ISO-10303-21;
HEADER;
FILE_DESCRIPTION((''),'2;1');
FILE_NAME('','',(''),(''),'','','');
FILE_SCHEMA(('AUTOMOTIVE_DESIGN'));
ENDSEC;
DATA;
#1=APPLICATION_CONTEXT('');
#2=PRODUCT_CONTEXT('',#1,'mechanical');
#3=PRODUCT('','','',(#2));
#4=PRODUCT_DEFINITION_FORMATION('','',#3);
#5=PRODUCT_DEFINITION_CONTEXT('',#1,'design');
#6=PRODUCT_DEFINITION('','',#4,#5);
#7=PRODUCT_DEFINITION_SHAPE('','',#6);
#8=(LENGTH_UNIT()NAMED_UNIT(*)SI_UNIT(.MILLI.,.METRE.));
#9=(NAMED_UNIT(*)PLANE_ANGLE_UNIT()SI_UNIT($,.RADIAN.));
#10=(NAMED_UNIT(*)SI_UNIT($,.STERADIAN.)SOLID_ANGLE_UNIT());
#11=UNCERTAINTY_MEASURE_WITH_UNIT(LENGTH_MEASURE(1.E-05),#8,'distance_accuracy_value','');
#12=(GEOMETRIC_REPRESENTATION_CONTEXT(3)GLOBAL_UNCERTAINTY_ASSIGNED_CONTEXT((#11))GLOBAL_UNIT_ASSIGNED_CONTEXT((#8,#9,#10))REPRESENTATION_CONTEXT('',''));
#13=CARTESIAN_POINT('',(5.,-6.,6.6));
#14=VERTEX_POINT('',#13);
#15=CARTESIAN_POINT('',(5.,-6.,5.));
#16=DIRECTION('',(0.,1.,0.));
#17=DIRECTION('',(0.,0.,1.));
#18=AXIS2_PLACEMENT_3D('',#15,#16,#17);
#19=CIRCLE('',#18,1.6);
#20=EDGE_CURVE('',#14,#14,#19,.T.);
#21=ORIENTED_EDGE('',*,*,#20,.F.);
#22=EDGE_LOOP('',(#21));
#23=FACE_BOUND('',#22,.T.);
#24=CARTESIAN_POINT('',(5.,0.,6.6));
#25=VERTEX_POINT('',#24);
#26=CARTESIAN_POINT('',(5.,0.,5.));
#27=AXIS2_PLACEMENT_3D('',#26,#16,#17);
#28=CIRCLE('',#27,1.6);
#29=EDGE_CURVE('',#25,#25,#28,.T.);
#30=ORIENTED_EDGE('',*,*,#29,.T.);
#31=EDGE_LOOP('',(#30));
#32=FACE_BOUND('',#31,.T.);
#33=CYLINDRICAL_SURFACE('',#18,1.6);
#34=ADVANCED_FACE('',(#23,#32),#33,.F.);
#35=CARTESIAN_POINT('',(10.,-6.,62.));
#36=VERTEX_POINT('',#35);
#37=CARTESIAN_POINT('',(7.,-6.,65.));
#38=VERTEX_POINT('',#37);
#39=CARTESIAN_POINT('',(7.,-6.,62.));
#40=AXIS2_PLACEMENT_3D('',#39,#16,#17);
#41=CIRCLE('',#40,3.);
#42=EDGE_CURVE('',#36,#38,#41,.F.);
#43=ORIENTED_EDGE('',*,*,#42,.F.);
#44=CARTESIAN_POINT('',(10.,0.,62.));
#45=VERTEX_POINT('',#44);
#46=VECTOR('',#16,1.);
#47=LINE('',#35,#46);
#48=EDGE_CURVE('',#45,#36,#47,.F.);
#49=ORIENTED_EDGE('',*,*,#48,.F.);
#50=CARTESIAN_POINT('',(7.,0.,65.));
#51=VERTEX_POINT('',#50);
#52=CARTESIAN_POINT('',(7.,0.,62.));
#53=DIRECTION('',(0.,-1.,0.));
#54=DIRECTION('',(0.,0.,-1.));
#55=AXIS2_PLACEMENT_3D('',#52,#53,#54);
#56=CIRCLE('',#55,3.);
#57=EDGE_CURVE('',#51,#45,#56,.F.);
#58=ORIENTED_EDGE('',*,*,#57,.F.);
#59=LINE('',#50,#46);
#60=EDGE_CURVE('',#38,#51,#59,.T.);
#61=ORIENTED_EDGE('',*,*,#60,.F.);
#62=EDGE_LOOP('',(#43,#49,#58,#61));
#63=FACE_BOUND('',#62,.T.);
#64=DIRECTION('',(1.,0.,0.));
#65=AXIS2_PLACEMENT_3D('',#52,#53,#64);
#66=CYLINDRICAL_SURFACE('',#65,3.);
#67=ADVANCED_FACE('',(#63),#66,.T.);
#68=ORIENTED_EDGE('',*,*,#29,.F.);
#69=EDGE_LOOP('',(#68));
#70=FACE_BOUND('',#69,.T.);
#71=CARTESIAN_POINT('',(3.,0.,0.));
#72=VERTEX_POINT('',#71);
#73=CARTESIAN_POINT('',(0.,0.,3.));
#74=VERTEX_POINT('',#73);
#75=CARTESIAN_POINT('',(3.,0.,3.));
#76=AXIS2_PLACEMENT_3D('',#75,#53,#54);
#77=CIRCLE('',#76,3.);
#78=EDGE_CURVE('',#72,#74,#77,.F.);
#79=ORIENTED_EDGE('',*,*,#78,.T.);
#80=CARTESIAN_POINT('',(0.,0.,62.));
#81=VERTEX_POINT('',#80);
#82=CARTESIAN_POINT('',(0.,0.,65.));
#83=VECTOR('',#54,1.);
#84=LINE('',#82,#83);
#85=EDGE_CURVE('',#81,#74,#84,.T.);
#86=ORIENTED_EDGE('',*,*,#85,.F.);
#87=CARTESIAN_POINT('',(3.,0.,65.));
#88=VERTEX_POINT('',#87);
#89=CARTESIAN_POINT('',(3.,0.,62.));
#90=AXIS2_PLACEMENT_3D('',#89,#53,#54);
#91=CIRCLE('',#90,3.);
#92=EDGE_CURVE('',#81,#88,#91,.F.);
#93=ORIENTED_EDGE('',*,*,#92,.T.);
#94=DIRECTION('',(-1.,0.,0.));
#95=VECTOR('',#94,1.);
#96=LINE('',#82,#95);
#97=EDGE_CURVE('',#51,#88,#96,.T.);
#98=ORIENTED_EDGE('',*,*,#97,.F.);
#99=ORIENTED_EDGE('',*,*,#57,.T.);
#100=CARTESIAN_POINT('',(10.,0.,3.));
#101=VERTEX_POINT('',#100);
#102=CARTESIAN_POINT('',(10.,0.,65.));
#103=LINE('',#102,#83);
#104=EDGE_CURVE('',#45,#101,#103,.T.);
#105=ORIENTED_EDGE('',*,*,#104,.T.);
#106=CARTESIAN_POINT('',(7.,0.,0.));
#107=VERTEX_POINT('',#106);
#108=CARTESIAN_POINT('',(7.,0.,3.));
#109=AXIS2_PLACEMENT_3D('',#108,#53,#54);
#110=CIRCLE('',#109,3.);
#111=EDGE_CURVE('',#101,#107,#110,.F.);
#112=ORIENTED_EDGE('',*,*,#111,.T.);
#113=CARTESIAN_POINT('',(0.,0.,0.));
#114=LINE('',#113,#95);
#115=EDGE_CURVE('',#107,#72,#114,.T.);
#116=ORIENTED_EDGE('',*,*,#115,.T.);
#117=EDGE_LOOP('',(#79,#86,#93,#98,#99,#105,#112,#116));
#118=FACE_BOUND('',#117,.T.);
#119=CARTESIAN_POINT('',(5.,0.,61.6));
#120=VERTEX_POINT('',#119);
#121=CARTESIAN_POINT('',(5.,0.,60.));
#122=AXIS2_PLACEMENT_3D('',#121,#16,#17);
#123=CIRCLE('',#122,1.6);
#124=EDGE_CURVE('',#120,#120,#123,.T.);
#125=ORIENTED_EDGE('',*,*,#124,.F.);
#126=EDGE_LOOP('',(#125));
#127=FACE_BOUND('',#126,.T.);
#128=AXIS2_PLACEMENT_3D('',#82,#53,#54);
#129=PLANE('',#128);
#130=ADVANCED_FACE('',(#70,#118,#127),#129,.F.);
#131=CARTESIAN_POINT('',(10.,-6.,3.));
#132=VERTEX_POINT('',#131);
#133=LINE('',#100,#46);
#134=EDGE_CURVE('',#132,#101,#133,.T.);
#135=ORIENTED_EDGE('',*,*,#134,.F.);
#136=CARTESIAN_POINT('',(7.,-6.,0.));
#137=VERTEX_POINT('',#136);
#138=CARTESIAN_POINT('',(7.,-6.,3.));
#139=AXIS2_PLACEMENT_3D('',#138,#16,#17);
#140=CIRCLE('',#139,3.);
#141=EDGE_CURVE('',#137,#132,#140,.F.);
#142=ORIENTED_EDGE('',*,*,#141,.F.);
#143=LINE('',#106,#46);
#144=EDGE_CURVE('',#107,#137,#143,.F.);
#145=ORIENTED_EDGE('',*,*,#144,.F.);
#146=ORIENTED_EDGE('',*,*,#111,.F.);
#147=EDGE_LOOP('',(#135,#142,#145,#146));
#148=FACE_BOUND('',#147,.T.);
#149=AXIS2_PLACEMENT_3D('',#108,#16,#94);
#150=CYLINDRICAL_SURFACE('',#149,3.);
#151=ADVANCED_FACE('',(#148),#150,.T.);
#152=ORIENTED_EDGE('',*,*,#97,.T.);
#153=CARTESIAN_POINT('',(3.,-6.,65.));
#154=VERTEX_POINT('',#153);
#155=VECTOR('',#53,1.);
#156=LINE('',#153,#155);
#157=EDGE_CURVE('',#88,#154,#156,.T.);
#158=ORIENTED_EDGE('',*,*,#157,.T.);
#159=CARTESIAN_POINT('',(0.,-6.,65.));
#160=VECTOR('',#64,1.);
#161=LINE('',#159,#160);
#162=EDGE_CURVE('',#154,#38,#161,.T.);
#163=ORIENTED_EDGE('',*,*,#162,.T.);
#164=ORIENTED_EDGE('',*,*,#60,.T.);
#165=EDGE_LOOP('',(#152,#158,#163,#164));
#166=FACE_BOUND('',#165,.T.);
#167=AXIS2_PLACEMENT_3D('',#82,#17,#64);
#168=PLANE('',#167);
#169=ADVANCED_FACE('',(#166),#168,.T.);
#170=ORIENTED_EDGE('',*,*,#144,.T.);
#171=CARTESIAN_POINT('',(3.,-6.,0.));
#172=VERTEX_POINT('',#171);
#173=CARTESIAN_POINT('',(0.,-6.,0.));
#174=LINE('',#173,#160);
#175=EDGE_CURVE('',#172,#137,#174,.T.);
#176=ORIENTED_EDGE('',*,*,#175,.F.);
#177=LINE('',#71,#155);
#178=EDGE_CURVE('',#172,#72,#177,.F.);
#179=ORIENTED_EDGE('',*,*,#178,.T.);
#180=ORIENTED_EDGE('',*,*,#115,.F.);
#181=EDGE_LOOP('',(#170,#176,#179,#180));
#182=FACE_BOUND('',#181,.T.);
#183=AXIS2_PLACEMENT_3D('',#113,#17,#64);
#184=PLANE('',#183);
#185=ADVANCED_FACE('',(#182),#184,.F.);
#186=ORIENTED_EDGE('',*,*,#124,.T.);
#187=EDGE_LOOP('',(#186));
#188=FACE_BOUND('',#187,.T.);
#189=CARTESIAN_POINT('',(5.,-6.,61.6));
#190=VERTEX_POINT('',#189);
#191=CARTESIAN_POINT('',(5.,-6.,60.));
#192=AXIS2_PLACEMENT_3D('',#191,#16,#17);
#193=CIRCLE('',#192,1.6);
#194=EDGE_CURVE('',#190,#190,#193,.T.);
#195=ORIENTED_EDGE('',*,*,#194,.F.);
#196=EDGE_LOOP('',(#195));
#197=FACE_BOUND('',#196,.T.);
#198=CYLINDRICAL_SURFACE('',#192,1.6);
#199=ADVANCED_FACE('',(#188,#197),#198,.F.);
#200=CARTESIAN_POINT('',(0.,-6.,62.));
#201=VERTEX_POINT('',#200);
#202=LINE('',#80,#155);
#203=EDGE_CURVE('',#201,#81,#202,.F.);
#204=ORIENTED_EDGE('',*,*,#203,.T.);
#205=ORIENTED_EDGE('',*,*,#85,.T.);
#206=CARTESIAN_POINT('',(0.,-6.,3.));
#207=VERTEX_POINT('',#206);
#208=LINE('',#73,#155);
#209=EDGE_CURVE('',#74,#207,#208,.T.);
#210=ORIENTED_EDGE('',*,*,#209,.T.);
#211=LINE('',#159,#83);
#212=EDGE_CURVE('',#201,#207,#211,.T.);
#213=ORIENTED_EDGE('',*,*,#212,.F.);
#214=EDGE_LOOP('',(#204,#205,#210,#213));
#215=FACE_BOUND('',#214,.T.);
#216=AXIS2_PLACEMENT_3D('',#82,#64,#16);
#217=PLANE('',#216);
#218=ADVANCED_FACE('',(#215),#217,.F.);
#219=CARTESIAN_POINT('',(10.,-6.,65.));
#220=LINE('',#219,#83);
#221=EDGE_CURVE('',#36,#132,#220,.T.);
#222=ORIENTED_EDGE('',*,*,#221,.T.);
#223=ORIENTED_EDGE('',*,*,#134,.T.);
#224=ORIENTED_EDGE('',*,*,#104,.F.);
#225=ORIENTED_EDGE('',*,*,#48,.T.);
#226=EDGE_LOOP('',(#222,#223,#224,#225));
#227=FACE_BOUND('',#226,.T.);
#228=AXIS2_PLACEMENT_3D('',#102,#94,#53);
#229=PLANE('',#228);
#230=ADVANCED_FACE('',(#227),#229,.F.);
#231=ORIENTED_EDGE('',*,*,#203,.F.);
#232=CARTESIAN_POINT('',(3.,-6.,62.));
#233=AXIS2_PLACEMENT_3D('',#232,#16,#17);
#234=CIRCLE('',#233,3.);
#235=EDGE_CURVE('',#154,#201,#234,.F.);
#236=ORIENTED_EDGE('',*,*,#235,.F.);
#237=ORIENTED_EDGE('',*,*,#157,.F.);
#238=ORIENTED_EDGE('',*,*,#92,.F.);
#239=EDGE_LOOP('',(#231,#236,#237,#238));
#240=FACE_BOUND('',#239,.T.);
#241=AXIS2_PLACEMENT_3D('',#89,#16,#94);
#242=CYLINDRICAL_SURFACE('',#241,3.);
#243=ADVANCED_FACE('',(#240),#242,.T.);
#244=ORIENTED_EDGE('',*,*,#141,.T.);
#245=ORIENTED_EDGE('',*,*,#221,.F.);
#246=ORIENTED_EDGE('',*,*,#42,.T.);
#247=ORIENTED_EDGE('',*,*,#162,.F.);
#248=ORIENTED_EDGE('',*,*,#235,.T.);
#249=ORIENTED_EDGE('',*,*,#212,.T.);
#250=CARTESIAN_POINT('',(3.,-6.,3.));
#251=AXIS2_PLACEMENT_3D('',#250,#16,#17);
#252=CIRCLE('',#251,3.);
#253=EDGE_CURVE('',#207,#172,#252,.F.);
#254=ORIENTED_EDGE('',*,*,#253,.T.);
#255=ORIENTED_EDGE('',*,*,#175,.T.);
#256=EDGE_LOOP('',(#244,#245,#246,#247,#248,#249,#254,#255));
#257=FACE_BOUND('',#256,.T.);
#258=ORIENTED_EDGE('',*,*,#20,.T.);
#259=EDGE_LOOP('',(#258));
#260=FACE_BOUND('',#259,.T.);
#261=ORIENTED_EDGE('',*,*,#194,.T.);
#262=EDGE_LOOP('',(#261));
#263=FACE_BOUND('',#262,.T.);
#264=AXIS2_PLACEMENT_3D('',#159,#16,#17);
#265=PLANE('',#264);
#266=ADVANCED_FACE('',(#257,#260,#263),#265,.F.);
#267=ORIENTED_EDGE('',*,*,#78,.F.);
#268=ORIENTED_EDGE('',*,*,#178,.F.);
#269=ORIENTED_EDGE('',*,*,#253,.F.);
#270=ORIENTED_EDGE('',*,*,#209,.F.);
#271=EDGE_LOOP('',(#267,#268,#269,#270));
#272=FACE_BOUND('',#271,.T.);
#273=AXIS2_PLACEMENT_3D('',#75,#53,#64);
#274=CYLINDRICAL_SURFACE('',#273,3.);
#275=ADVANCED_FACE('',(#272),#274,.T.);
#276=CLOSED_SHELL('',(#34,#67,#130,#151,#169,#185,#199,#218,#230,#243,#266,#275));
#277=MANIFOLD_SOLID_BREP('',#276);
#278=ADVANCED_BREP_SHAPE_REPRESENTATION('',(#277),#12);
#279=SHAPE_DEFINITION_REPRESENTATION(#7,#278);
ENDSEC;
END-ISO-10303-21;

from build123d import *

# Parameters (mm, degrees)
SKETCH1_W           = 10
SKETCH1_H           = 6
BOSS_EXTRUDE1_DEPTH = 65
SKETCH2_R           = 1.6
CUT_EXTRUDE1_DEPTH  = 67.037867924
FILLET1_R           = 3


with BuildPart() as part:
    # Sketch1 → Boss-Extrude1 (new body)
    with BuildSketch(Plane.XY):
        with Locations((5, -3)):
            Rectangle(SKETCH1_W, SKETCH1_H)
    extrude(amount=BOSS_EXTRUDE1_DEPTH)

    # Sketch2 → Cut-Extrude1 (cut, through all)
    with BuildSketch(Plane(origin=(0, 0, 0), x_dir=(1, 0, 0), z_dir=(0, 1, 0))):
        with Locations(Location((5, -5, 0), (0, 0, 270))):
            Circle(SKETCH2_R)
        with Locations(Location((5, -60, 0), (0, 0, 270))):
            Circle(SKETCH2_R)
    extrude(amount=-CUT_EXTRUDE1_DEPTH, mode=Mode.SUBTRACT)

    # Fillet1
    fillet1_edges = [part.edges().sort_by_distance(p)[0] for p in [
        (10, -3, 65),
        (0, -3, 65),
        (10, -3, 0),
        (0, -3, 0),
    ]]
    fillet(fillet1_edges, radius=FILLET1_R)


solid = part.part
